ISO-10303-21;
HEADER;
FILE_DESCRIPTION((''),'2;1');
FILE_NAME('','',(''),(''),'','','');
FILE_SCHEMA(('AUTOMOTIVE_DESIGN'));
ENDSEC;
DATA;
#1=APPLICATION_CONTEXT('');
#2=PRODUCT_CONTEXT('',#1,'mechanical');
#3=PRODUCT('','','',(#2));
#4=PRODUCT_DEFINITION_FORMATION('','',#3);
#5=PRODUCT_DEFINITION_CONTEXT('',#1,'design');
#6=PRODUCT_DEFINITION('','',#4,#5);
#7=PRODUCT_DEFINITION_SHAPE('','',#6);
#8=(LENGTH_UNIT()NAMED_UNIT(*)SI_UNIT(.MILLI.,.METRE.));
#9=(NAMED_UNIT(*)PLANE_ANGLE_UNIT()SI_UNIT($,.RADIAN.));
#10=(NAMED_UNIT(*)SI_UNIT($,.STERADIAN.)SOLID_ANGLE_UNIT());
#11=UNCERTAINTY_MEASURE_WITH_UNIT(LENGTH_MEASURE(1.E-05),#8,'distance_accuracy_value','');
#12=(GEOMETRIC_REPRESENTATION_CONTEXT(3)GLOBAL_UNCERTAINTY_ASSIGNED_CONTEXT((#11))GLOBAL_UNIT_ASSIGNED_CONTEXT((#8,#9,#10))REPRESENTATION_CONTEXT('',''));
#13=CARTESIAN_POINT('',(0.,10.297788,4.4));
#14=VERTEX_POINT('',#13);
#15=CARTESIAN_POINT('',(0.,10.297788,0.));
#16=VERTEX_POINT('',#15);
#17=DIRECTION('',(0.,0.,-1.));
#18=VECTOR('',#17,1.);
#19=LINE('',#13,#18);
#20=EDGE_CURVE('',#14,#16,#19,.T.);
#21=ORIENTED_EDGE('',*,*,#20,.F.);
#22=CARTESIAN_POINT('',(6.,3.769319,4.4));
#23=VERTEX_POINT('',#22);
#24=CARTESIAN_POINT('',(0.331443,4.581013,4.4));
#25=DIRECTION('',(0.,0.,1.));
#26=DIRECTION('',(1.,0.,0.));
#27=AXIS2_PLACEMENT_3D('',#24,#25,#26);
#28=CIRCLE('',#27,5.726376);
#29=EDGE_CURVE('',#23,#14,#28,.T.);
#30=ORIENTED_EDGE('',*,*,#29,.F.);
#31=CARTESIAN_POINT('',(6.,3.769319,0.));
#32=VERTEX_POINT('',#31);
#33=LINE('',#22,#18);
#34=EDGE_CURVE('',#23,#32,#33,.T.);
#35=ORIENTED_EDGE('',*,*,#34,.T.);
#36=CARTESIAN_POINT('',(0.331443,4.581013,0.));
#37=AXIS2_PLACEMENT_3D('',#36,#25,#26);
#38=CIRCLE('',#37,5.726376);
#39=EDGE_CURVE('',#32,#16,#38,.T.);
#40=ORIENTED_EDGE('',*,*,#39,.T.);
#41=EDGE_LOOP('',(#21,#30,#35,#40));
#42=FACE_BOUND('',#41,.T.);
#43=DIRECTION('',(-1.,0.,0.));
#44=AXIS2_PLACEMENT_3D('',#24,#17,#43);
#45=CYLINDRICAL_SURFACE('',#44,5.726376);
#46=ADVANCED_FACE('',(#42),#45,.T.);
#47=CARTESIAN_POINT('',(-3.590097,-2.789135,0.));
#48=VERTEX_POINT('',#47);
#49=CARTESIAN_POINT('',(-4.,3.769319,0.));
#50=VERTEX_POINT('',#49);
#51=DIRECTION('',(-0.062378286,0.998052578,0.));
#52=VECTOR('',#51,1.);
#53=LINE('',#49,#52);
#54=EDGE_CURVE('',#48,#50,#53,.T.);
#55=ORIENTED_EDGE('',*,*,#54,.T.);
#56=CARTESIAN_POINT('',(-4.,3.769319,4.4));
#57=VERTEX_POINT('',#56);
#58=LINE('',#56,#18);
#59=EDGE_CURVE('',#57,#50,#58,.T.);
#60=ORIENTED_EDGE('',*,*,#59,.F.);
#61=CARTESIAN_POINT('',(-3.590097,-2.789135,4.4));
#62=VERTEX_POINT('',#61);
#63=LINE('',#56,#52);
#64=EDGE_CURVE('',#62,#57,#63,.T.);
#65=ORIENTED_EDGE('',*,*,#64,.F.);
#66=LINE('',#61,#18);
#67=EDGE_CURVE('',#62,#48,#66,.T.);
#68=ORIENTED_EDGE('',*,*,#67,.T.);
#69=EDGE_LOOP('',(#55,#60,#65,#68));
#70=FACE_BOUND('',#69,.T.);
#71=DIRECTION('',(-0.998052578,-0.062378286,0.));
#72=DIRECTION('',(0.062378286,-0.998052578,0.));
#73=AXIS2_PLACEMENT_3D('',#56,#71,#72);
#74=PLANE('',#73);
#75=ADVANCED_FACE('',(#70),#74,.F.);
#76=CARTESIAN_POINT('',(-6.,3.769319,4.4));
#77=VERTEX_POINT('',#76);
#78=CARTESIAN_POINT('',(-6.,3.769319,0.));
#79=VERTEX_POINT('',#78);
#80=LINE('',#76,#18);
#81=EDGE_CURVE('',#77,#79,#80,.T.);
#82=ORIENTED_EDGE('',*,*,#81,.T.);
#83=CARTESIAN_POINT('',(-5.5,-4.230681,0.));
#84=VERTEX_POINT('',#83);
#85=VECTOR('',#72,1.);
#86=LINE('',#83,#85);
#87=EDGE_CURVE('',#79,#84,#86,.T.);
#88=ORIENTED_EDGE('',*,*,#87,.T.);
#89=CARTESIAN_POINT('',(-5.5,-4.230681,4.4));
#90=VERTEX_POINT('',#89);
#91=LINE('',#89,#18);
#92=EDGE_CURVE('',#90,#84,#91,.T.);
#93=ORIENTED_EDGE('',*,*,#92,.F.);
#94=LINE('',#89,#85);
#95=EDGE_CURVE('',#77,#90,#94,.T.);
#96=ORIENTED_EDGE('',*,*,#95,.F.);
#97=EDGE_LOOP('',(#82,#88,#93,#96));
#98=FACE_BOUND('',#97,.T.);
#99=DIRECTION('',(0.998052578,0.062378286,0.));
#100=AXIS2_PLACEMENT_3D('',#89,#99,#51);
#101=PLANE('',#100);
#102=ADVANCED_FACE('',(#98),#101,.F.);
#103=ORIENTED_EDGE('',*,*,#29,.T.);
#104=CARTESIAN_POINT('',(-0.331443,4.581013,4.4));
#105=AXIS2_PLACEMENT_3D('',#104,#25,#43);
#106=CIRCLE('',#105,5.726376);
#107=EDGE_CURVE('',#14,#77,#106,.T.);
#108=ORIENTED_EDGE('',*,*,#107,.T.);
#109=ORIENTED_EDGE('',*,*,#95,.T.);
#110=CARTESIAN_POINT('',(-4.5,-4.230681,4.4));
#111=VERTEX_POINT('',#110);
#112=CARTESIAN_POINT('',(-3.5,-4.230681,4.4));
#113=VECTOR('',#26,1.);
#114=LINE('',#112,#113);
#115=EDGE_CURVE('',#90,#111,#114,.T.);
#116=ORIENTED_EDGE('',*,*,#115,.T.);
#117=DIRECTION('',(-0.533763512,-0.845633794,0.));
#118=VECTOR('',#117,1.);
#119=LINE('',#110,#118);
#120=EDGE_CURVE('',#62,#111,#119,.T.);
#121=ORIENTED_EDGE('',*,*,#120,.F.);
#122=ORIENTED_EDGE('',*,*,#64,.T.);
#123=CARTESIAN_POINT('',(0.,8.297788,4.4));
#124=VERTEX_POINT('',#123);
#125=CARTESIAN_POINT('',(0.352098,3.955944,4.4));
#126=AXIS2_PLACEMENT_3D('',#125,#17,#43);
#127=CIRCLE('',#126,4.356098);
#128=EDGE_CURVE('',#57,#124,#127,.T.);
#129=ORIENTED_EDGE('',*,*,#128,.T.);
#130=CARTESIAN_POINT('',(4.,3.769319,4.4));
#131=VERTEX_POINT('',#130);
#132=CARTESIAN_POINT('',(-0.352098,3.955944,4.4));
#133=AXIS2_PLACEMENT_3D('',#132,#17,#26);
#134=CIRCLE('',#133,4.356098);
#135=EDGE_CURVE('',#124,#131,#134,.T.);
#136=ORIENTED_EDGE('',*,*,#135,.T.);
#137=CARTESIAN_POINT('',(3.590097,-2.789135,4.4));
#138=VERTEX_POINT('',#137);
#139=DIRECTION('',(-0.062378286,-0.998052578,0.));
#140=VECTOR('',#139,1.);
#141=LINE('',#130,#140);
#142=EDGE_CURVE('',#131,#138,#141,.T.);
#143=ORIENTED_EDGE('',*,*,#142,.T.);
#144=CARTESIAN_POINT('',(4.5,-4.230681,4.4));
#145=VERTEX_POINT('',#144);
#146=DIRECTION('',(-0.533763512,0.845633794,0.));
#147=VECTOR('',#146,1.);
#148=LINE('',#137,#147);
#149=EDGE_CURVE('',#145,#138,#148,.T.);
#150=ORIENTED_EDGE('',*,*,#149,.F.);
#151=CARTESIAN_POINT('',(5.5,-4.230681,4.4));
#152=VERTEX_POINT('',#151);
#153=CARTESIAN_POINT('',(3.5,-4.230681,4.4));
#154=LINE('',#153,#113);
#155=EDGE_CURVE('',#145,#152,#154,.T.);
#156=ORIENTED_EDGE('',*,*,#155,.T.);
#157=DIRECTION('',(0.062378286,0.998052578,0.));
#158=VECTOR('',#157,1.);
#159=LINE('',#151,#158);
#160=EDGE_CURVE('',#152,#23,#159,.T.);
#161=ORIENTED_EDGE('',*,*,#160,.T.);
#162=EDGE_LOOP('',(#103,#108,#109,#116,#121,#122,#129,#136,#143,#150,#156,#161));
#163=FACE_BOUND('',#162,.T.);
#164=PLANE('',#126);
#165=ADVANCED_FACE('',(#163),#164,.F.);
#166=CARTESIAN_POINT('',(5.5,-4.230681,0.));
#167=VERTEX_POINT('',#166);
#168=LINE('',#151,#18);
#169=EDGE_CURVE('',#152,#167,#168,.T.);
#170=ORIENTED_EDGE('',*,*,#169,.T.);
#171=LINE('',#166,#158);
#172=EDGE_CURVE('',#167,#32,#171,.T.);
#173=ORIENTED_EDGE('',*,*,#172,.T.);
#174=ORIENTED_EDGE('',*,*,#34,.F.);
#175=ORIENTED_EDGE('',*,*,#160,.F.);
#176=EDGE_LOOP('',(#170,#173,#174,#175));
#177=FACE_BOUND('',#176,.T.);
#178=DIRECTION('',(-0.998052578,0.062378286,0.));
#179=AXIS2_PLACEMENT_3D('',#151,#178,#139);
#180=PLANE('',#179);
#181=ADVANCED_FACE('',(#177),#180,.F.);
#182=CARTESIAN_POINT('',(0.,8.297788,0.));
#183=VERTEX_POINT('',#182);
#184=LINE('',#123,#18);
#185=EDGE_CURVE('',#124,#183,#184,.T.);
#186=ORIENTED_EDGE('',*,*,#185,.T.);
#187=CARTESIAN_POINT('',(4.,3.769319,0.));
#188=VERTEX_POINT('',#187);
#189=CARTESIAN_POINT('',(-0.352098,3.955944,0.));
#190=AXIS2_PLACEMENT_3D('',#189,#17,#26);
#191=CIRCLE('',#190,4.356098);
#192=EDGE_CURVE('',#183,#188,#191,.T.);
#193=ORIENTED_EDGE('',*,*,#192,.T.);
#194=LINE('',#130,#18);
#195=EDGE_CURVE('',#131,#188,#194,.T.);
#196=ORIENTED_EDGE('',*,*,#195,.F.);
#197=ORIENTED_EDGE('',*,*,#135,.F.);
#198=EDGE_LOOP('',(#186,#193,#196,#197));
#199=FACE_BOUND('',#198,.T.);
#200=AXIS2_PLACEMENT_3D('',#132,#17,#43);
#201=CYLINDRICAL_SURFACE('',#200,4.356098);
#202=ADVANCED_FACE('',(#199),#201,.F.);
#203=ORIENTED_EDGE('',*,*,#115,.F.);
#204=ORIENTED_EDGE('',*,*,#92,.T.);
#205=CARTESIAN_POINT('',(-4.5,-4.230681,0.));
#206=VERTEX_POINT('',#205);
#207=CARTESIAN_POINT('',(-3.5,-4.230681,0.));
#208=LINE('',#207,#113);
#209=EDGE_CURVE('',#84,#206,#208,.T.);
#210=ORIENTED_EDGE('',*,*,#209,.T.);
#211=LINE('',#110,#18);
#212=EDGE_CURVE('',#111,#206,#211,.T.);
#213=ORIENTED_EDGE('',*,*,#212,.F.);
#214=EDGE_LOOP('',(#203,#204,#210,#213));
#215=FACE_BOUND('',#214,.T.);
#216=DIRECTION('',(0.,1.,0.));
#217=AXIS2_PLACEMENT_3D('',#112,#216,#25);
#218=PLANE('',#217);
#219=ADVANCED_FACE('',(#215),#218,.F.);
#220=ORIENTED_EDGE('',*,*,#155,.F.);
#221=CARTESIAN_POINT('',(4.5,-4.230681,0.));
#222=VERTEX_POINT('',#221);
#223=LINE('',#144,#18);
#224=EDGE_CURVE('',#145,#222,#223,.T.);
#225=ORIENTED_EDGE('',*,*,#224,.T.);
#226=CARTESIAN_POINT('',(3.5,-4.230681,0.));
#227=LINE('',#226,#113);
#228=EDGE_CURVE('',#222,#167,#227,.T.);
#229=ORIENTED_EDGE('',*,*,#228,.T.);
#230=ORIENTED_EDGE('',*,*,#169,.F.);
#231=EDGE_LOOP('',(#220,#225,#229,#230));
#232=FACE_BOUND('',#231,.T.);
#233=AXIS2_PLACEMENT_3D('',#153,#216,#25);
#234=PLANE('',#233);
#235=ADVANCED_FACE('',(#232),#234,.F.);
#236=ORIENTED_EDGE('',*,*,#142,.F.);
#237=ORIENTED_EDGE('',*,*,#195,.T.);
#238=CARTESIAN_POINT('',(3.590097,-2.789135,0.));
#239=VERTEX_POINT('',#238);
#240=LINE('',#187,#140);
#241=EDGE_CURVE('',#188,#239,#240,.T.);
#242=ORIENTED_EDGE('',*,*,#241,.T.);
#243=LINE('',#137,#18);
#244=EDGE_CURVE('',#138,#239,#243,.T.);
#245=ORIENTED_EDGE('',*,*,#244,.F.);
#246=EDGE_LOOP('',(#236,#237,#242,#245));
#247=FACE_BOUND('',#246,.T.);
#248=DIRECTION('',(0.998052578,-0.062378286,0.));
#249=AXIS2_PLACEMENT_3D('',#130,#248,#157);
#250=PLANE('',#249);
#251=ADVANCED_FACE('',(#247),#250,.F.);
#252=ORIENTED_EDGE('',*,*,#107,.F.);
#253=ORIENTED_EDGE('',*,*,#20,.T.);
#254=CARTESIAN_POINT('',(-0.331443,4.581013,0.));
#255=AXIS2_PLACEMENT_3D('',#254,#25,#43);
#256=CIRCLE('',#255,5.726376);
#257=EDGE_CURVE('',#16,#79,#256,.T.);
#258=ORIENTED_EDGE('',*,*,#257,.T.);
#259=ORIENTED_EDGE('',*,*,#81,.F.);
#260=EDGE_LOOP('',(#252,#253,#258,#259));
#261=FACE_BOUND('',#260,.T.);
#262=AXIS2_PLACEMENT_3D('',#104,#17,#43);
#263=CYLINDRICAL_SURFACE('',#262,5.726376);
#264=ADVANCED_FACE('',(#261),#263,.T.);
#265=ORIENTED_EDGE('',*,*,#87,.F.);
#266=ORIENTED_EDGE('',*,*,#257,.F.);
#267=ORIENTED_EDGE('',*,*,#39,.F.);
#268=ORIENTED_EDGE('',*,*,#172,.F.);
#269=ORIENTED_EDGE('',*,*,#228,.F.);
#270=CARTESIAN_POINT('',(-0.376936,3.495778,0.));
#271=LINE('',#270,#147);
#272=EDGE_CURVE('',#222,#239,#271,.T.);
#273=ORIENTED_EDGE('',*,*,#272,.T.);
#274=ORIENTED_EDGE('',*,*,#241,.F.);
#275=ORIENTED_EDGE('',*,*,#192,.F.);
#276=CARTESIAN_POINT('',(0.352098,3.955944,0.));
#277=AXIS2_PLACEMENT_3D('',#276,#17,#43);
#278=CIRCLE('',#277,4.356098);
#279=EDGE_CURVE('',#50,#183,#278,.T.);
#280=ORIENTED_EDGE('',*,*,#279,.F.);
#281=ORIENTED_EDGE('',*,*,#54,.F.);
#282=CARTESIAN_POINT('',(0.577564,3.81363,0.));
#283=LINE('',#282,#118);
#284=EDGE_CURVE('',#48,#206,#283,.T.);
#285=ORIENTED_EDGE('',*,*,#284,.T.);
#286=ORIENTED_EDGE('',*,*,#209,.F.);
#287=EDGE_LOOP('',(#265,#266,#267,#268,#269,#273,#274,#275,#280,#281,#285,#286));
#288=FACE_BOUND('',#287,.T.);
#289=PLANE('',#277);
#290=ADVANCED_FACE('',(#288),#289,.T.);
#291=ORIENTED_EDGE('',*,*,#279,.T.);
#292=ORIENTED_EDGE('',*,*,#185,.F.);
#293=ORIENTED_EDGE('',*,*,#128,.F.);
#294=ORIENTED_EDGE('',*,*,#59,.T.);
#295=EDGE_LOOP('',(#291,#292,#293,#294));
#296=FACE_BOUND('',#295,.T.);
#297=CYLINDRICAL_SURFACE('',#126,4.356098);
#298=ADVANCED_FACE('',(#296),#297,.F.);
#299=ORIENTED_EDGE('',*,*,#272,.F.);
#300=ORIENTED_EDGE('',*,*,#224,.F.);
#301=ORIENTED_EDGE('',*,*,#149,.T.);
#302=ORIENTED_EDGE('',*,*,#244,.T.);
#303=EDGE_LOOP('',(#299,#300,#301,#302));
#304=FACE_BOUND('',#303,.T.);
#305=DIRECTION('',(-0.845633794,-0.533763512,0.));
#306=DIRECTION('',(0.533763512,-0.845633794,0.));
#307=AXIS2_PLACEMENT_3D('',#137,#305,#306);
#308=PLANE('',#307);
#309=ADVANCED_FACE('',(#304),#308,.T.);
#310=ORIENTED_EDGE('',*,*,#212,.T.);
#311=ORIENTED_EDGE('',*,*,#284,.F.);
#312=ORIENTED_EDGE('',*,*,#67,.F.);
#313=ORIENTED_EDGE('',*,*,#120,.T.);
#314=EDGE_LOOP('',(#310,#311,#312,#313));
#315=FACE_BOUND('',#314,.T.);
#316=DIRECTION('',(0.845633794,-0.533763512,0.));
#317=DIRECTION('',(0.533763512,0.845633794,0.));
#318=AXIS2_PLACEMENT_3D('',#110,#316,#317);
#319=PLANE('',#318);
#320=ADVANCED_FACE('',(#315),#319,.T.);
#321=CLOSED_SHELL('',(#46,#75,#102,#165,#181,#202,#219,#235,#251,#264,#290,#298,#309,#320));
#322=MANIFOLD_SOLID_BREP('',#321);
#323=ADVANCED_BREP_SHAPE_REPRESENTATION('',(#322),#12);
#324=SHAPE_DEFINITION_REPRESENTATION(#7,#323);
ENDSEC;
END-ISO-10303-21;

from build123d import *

# Parameters (mm, degrees)
BOSS_EXTRUDE1_DEPTH     = 4.4
CUT_EXTRUDE2_DEPTH      = 13.739679342
CUT_EXTRUDE2_DEPTH_BACK = 13.739679342


with BuildPart() as part:
    # Sketch1 → Boss-Extrude1 (new body)
    with BuildSketch(Plane.XY):
        with BuildLine():
            Line((-4, 3.769318743), (-3.5, -4.230681257))
            Line((-3.5, -4.230681257), (-5.5, -4.230681257))
            Line((-5.5, -4.230681257), (-6, 3.769318743))
            ThreePointArc((-6, 3.769318743), (-4.547652978, 8.455926386), (0, 10.297788342))
            ThreePointArc((0, 10.297788342), (4.547652978, 8.455926386), (6, 3.769318743))
            Line((6, 3.769318743), (5.5, -4.230681257))
            Line((5.5, -4.230681257), (3.5, -4.230681257))
            Line((3.5, -4.230681257), (4, 3.769318743))
            ThreePointArc((4, 3.769318743), (2.912733302, 6.839771433), (0, 8.297788342))
            ThreePointArc((0, 8.297788342), (-2.912733302, 6.839771433), (-4, 3.769318743))
        make_face()
    extrude(amount=BOSS_EXTRUDE1_DEPTH)

    # Sketch2 → Cut-Extrude2 (cut, two sides: drawn at the far end of the back side and taken through both)
    with BuildSketch(Plane.XY.offset(-CUT_EXTRUDE2_DEPTH_BACK)):
        Polygon((-3.5, -4.230681257), (-4.5, -4.230681257), (-3.590096666, -2.789134598), align=None)
        Polygon((3.5, -4.230681257), (3.590096666, -2.789134598), (4.5, -4.230681257), align=None)
    extrude(amount=CUT_EXTRUDE2_DEPTH + CUT_EXTRUDE2_DEPTH_BACK, mode=Mode.SUBTRACT)


solid = part.part
